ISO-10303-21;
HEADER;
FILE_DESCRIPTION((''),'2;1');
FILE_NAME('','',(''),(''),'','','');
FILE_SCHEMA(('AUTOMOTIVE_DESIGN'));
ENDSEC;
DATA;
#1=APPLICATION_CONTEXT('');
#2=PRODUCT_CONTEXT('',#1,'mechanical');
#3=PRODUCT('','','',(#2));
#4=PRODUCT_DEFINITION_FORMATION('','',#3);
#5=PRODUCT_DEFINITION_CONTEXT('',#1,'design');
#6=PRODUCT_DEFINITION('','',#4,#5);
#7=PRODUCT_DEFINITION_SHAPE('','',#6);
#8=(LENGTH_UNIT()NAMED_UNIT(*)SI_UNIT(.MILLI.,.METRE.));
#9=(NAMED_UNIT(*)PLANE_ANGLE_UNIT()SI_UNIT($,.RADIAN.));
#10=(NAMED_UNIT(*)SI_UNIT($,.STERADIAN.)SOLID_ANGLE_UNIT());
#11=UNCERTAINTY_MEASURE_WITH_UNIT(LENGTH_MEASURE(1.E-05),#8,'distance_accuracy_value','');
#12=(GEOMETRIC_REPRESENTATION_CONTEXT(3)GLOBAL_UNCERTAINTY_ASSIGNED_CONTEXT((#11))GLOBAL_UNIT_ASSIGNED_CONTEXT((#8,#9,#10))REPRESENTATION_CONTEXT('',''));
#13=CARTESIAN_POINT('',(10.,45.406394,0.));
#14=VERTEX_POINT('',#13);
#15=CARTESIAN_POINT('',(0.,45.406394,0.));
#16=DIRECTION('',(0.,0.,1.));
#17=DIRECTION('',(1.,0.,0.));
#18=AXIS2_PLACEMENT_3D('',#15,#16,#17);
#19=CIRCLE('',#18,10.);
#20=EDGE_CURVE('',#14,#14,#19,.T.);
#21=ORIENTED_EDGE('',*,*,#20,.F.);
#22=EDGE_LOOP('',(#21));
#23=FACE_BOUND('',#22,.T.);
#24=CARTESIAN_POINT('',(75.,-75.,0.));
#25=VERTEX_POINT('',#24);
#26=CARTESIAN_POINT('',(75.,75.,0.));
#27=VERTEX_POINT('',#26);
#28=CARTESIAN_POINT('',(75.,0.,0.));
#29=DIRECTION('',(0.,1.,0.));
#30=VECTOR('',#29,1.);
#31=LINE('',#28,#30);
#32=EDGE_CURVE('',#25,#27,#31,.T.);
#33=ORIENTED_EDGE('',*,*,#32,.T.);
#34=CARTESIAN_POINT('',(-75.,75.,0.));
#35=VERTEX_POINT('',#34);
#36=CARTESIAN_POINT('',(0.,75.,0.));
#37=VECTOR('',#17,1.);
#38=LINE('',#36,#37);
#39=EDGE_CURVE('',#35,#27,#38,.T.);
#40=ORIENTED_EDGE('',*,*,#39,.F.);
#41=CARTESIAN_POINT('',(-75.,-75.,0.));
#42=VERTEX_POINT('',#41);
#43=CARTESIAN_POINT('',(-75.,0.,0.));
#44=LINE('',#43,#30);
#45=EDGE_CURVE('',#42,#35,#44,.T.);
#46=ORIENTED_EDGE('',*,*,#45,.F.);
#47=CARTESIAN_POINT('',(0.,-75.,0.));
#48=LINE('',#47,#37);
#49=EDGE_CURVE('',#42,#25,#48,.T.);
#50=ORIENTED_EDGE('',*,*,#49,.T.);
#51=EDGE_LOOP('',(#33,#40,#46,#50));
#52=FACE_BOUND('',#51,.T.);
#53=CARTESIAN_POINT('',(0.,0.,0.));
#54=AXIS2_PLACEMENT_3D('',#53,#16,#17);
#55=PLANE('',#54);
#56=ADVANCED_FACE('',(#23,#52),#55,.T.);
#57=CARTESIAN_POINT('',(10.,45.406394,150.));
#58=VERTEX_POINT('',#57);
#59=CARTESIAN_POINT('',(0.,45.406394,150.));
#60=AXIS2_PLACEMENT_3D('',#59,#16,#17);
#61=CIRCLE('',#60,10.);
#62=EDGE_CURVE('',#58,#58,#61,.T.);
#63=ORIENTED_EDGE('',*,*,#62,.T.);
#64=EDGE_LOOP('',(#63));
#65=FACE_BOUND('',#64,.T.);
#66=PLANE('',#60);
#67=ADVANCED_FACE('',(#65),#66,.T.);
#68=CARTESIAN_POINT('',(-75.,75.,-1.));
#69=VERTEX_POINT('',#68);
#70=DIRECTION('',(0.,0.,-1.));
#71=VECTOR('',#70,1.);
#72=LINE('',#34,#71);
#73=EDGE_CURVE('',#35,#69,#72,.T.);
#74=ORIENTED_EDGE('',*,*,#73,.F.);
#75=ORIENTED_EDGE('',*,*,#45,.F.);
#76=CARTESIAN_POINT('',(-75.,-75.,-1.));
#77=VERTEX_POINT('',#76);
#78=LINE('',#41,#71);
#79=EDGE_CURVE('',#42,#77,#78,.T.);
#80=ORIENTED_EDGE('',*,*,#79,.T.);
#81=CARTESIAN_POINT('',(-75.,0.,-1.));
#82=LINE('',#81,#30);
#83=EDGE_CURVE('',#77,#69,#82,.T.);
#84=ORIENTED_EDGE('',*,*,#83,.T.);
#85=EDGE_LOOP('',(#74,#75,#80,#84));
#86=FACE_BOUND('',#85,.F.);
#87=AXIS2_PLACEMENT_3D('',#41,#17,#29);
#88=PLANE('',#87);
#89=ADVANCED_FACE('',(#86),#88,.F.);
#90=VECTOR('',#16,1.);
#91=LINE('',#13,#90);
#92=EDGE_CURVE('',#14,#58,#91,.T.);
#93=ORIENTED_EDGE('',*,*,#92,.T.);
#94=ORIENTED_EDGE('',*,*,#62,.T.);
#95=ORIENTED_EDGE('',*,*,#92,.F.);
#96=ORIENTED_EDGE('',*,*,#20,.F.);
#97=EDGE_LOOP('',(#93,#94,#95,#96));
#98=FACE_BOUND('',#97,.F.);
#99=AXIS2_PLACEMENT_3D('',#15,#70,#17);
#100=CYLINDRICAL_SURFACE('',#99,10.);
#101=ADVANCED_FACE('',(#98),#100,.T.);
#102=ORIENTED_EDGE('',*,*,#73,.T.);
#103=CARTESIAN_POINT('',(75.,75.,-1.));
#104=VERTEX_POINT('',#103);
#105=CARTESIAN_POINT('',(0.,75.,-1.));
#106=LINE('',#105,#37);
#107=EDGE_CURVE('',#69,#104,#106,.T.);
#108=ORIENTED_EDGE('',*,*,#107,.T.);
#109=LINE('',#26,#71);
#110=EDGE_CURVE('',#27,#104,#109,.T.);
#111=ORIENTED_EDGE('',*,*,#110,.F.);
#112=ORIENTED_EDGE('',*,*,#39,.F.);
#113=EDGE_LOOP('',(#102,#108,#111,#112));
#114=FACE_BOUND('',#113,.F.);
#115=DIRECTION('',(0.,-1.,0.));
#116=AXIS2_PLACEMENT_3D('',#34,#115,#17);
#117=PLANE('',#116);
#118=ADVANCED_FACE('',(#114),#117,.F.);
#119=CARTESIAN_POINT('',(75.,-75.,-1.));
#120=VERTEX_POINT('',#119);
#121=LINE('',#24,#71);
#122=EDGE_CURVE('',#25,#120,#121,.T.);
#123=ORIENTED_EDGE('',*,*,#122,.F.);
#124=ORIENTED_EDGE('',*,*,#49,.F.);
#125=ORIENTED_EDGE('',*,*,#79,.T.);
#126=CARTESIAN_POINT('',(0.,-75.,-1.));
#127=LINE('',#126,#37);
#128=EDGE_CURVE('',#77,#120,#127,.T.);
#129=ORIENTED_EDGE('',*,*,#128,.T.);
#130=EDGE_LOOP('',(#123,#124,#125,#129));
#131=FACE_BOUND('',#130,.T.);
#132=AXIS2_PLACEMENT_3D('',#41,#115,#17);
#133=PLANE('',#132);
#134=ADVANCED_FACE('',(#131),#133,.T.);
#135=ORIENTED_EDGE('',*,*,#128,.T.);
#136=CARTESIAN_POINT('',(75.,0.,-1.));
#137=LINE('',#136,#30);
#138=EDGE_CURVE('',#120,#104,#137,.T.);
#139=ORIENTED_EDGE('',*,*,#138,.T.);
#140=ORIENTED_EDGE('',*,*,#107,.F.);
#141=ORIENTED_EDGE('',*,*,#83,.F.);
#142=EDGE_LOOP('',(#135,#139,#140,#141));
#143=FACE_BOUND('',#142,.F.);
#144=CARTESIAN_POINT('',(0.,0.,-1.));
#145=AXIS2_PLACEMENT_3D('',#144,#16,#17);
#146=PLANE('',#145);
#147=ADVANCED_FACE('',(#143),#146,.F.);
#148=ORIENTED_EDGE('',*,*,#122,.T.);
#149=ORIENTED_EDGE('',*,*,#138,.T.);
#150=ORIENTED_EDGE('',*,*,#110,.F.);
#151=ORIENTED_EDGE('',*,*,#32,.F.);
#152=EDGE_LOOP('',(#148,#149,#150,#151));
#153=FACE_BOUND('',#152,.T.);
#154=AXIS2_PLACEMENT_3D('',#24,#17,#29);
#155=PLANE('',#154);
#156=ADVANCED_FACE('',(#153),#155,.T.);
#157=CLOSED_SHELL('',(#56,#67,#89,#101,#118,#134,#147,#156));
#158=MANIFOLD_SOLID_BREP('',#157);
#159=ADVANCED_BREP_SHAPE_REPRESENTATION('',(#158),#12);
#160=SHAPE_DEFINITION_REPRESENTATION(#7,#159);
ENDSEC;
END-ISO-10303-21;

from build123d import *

# Parameters (mm, degrees)
F0_W     = 150
F0_H     = 150
F1_DEPTH = 1
F2_R     = 10
F3_DEPTH = 150


with BuildPart() as f1:
    # F0 (on Top) → F1 (new body)
    with BuildSketch(Plane.XY):
        Rectangle(F0_W, F0_H)
    extrude(amount=-F1_DEPTH)

    # F2 (on face) → F3 (join)
    with BuildSketch(Plane.XY):
        with Locations((0, 45.406394)):
            Circle(F2_R)
    extrude(amount=F3_DEPTH)


solid = f1.part
